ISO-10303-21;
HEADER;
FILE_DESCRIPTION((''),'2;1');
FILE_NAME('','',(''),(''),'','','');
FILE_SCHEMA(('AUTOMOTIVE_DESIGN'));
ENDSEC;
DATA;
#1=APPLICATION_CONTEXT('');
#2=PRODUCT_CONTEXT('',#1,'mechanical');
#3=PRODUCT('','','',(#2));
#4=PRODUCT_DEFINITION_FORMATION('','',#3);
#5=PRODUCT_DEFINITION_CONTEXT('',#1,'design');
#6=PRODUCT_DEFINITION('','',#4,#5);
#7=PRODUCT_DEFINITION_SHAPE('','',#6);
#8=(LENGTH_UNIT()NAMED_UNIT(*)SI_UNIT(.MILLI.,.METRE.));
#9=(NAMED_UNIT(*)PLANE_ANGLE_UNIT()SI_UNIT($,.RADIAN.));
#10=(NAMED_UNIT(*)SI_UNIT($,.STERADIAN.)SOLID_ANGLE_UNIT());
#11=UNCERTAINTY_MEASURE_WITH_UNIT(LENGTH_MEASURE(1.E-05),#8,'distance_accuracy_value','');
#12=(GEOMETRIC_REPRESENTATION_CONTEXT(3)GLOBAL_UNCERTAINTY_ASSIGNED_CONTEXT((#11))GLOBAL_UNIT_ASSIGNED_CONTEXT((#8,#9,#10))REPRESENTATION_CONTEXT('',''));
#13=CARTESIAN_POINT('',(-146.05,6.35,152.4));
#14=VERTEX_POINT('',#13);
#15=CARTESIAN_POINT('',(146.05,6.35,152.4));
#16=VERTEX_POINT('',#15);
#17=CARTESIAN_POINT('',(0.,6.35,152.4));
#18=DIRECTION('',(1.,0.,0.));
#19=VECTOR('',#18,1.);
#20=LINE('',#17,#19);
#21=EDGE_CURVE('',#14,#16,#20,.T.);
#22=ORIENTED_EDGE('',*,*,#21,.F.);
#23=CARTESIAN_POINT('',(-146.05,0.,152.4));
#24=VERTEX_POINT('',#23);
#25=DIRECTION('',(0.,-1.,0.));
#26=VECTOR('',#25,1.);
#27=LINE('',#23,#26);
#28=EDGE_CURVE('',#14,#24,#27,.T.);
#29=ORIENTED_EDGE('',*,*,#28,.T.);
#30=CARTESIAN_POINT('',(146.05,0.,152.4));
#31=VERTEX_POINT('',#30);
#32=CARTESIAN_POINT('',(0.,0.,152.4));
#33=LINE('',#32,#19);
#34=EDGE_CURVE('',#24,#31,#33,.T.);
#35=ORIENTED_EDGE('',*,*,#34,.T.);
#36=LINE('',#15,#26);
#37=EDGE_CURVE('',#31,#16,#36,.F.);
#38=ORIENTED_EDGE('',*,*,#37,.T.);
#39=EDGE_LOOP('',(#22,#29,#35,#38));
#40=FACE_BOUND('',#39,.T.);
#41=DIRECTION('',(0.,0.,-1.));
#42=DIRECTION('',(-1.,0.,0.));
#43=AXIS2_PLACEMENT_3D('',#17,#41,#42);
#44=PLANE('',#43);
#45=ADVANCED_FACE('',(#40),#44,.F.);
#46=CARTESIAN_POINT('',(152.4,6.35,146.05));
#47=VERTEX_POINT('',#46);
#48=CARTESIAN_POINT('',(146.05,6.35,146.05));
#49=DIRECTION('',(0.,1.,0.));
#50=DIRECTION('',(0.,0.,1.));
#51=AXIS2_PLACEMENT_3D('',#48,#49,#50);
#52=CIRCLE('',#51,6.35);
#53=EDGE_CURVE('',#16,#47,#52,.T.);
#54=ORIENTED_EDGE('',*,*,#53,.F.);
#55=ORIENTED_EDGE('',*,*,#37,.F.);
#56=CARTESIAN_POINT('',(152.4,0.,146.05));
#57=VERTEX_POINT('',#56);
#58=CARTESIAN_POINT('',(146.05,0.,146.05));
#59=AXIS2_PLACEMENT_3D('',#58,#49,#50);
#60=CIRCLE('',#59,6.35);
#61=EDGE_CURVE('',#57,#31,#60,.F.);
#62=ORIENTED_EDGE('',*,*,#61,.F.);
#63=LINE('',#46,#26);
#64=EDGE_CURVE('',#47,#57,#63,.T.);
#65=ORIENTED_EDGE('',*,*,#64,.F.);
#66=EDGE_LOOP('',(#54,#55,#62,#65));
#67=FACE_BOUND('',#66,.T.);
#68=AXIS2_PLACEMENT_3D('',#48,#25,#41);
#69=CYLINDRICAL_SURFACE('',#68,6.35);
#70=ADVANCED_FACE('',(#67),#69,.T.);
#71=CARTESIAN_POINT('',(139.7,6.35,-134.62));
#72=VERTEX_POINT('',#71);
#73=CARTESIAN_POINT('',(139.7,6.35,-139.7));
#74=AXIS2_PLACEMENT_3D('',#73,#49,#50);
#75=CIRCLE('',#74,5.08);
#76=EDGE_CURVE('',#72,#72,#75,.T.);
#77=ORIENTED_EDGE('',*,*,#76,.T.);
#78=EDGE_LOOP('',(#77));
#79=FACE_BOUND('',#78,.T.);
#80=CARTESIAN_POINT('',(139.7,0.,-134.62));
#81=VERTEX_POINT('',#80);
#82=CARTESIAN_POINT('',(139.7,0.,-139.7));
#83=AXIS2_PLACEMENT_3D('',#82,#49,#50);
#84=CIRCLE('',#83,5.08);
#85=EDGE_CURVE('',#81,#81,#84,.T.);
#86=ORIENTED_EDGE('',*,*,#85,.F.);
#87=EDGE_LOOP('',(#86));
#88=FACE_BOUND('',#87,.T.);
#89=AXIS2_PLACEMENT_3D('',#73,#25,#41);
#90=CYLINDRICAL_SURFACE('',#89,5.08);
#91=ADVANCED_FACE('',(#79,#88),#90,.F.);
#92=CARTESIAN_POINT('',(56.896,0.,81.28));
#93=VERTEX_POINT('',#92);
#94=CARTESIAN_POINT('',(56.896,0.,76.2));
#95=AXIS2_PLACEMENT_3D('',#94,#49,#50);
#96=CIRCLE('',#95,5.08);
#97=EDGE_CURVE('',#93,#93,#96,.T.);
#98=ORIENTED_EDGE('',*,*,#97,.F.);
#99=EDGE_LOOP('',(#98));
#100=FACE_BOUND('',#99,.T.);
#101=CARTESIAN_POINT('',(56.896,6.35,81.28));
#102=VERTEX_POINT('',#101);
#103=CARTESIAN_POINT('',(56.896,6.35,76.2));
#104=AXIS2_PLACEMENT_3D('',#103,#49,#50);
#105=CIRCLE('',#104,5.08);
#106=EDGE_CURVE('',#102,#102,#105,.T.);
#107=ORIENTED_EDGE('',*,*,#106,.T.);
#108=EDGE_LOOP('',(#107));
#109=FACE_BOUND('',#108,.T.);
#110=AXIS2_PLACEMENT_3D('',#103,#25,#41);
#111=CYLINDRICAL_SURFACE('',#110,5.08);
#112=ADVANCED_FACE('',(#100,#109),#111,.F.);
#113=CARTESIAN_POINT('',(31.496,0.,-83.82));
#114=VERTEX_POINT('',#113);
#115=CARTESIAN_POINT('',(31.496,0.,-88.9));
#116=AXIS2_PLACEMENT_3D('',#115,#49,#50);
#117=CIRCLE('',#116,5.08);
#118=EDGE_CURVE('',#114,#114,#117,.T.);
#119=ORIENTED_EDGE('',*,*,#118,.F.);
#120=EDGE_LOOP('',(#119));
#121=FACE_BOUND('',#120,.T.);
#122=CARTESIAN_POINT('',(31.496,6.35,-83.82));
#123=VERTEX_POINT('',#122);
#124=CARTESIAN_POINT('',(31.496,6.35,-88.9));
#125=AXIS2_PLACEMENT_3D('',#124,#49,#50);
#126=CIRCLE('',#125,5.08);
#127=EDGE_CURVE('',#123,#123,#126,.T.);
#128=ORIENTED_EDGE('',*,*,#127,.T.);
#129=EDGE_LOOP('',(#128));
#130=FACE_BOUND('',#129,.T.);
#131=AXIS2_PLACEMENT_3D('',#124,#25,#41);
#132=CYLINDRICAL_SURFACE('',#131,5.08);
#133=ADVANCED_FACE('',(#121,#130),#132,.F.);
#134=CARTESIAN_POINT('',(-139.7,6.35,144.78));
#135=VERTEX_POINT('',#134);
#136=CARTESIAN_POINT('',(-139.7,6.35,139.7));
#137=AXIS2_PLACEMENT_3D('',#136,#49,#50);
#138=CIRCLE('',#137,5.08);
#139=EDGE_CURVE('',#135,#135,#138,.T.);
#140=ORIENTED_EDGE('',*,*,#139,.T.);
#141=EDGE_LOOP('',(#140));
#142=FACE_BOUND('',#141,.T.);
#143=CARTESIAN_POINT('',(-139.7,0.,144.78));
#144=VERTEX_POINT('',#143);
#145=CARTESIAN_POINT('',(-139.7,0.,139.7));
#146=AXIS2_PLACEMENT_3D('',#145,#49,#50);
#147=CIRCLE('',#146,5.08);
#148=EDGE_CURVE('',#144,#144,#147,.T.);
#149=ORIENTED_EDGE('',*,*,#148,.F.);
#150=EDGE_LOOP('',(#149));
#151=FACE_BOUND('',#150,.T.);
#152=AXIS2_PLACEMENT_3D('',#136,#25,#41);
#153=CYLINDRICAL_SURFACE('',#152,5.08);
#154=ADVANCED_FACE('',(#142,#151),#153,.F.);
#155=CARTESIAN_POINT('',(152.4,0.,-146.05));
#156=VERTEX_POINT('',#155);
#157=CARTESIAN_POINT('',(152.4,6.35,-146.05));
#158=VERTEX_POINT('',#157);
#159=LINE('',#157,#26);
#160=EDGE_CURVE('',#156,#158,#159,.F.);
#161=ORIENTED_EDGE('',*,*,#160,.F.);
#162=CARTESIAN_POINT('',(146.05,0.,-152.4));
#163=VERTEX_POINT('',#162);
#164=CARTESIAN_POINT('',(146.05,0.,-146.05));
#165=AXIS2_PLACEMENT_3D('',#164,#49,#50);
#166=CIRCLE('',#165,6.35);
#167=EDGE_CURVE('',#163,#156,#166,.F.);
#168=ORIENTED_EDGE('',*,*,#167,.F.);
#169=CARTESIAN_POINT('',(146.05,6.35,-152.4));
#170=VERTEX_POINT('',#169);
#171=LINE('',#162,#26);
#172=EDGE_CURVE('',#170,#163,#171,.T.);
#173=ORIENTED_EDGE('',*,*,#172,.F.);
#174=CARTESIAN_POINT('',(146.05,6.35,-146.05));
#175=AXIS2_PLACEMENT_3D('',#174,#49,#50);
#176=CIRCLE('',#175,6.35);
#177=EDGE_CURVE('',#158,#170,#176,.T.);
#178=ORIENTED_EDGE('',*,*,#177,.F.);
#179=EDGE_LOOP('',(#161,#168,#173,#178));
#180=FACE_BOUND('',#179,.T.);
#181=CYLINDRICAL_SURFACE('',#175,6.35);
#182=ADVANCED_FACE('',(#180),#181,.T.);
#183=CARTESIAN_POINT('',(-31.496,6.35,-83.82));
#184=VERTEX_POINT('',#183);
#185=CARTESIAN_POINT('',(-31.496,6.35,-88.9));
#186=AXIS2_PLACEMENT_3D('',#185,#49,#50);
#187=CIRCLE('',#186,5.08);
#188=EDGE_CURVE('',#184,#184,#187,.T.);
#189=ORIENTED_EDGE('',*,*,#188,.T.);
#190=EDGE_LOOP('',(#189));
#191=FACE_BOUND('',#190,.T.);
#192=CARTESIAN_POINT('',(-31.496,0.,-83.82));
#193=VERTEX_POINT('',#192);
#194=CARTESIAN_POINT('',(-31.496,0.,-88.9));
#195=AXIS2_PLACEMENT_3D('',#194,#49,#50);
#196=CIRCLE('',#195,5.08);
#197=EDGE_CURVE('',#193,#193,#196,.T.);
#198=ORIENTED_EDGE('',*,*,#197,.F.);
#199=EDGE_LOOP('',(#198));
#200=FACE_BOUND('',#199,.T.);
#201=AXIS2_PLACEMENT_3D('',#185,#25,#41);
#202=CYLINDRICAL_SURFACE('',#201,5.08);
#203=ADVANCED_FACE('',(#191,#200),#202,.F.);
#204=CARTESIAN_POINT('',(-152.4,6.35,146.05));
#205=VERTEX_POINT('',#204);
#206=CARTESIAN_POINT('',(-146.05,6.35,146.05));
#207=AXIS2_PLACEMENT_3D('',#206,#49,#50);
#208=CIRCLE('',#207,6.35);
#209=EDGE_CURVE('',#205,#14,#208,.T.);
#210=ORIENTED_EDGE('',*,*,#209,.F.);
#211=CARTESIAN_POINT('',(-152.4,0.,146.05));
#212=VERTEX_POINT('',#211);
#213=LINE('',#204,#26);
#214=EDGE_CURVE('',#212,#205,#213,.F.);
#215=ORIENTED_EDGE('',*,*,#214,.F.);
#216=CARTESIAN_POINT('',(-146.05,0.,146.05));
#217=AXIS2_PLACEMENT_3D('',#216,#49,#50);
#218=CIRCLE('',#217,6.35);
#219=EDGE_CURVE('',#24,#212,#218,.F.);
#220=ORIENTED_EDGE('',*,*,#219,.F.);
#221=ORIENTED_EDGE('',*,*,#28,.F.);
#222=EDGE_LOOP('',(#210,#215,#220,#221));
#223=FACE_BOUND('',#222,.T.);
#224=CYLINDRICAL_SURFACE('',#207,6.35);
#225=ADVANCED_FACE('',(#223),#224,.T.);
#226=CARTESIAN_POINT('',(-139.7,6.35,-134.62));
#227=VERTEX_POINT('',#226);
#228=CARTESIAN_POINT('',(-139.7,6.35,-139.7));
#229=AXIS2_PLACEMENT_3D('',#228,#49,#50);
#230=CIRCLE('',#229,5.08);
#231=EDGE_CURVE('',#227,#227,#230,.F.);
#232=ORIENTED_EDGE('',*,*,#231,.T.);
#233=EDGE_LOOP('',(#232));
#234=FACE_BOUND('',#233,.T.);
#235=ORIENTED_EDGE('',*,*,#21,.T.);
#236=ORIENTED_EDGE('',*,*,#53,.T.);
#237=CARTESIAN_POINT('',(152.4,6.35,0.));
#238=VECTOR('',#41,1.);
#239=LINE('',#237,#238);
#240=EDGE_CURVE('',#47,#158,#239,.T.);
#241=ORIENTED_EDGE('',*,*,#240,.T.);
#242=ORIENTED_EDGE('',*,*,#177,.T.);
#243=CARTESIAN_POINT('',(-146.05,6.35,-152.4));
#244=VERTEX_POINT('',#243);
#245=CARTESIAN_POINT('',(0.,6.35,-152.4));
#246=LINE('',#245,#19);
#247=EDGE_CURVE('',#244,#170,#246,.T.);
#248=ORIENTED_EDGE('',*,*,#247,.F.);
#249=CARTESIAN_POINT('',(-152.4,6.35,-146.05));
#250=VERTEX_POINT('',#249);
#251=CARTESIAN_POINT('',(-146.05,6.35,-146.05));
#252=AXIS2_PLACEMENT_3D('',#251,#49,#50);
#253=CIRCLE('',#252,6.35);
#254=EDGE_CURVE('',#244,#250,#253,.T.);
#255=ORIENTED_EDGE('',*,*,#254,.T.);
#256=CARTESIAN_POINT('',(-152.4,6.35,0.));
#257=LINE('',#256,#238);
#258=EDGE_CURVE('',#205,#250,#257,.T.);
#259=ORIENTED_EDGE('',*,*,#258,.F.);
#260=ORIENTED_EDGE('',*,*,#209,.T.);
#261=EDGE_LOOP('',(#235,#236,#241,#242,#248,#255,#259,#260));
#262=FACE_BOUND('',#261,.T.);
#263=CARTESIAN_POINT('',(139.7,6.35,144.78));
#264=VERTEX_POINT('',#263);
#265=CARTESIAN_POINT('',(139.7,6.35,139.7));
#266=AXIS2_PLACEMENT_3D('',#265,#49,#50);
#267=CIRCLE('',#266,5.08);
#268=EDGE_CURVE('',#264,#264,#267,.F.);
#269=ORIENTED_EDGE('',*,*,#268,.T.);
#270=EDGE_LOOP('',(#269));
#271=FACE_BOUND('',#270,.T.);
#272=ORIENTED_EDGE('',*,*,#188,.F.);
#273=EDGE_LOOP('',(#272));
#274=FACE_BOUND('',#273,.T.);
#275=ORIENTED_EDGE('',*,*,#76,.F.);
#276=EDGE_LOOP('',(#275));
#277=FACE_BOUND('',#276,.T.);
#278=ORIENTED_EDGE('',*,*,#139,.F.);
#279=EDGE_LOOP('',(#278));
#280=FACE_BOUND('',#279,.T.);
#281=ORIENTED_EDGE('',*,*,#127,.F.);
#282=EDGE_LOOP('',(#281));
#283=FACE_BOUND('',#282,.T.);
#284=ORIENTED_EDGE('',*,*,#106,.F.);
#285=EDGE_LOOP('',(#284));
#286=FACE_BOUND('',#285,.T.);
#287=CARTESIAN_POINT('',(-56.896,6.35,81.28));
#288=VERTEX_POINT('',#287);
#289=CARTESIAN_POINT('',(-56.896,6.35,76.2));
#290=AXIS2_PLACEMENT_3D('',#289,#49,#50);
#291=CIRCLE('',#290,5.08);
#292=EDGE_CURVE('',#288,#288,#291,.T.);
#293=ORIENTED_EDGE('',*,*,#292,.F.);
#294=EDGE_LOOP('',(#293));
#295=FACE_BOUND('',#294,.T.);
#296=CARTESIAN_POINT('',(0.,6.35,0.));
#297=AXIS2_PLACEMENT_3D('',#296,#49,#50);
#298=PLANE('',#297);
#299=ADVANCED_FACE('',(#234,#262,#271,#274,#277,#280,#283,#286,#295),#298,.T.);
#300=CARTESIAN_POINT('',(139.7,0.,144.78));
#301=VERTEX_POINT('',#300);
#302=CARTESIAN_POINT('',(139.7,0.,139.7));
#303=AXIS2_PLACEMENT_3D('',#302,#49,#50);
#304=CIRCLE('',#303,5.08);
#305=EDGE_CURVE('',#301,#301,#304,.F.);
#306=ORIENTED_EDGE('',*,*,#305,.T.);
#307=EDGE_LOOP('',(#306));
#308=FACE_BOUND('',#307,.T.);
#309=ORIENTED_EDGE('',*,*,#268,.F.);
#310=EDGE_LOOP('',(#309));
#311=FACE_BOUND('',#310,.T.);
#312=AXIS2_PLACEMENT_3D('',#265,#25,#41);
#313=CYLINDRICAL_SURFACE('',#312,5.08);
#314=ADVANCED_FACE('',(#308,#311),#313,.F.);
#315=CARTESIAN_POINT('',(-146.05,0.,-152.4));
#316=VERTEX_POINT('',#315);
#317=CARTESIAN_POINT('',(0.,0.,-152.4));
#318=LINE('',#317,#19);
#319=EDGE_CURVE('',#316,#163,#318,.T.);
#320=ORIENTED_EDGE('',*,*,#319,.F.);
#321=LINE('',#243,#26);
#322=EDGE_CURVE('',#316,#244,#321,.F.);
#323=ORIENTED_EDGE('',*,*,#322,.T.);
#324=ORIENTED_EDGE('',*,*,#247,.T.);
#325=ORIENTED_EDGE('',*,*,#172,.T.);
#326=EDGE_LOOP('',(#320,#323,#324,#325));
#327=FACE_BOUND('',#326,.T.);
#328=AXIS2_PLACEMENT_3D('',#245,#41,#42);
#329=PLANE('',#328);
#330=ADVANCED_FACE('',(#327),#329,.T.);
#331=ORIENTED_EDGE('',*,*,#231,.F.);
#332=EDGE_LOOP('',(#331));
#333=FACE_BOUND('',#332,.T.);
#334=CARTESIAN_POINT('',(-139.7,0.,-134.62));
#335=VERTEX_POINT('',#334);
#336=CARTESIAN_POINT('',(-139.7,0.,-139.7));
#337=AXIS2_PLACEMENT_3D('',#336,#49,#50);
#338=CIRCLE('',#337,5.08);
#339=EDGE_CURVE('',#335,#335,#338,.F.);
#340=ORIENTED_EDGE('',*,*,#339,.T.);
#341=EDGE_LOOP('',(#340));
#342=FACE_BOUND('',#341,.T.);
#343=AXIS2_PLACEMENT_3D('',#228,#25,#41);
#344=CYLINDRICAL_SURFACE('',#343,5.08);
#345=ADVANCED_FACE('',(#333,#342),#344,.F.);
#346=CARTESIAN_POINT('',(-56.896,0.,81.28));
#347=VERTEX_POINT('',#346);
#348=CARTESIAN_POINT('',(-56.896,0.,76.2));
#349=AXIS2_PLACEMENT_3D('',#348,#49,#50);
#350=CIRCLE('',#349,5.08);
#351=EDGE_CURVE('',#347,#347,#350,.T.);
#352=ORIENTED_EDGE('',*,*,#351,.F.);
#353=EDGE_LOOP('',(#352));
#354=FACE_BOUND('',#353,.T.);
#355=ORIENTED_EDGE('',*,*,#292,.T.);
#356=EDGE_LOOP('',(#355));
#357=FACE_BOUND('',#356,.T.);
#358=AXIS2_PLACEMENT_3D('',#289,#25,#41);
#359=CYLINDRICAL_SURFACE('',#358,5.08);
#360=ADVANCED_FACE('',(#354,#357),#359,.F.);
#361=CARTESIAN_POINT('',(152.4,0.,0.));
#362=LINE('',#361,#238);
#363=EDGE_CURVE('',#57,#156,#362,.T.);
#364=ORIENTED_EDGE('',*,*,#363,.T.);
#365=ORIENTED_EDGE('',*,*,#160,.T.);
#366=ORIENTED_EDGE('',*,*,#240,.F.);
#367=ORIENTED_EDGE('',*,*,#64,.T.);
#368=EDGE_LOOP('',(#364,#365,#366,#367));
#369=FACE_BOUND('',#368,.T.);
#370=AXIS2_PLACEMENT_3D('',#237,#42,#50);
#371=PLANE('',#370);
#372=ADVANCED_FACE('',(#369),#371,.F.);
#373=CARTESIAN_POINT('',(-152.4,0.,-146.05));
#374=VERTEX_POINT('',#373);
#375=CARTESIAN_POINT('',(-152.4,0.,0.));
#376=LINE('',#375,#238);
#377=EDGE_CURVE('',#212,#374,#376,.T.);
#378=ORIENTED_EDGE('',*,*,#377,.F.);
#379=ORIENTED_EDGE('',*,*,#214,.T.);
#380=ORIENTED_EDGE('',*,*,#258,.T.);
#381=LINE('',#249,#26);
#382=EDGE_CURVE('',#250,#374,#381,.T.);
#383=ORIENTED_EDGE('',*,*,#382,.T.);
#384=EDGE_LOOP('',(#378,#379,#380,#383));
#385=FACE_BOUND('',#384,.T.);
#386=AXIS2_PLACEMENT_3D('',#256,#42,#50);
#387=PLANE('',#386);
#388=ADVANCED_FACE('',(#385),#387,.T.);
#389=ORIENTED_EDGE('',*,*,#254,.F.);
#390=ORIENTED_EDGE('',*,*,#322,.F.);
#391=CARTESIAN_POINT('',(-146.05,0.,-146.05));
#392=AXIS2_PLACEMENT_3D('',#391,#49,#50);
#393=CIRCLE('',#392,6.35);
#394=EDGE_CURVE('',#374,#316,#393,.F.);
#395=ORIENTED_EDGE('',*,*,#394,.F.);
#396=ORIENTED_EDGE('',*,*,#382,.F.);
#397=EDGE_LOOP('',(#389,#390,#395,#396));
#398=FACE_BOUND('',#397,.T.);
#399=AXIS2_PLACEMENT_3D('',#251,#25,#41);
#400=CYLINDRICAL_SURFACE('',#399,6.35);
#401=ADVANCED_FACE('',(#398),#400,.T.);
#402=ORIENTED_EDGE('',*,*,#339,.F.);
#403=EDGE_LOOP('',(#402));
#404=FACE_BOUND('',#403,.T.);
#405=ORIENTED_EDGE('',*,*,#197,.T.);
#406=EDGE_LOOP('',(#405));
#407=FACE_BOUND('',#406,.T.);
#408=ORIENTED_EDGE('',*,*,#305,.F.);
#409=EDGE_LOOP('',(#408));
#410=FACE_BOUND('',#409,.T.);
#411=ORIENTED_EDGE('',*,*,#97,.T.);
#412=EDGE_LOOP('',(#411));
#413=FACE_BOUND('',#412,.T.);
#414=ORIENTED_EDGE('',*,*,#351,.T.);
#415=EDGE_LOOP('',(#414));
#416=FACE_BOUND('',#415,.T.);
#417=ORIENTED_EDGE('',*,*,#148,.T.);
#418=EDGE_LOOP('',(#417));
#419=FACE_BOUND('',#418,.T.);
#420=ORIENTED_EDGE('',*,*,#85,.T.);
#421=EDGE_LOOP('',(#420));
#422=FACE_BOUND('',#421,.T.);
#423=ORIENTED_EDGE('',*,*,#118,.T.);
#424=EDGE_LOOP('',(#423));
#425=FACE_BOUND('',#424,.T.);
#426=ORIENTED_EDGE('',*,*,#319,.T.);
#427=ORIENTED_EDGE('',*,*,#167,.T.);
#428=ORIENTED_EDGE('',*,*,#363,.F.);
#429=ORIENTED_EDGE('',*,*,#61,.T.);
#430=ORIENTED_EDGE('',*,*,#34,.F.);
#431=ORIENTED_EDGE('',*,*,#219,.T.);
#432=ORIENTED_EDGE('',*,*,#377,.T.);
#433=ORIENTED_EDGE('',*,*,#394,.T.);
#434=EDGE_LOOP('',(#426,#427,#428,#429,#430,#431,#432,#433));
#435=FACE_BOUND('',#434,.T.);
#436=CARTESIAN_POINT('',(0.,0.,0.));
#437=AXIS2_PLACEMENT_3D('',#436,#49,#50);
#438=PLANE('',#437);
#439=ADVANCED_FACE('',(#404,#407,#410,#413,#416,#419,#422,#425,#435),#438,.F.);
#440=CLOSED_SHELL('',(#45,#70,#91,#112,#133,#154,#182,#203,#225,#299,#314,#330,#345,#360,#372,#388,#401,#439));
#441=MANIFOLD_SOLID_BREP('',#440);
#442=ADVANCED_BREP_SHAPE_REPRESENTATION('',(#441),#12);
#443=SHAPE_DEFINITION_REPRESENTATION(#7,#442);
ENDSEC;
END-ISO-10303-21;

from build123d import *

# Parameters (mm, degrees)
SKETCH2_R           = 5.08
BOSS_EXTRUDE1_DEPTH = 6.35
FILLET1_R           = 6.35
FILLET2_R           = 6.35


with BuildPart() as part:
    # Sketch2 → Boss-Extrude1 (new body)
    with BuildSketch(Plane(origin=(0, 0, 0), x_dir=(1, 0, 0), z_dir=(0, 1, 0))):
        Polygon((-152.4, 152.4), (-152.4, -152.4), (152.4, -152.4), (152.4, 142.494), (152.4, 152.4), (142.494, 152.4), align=None)
        with Locations((-139.7, -139.7)):
            Circle(SKETCH2_R, mode=Mode.SUBTRACT)
        with Locations((-56.896, -76.2)):
            Circle(SKETCH2_R, mode=Mode.SUBTRACT)
        with Locations((139.7, -139.7)):
            Circle(SKETCH2_R, mode=Mode.SUBTRACT)
        with Locations((56.896, -76.2)):
            Circle(SKETCH2_R, mode=Mode.SUBTRACT)
        with Locations((-139.7, 139.7)):
            Circle(SKETCH2_R, mode=Mode.SUBTRACT)
        with Locations((-31.496, 88.9)):
            Circle(SKETCH2_R, mode=Mode.SUBTRACT)
        with Locations((31.496, 88.9)):
            Circle(SKETCH2_R, mode=Mode.SUBTRACT)
        with Locations((139.7, 139.7)):
            Circle(SKETCH2_R, mode=Mode.SUBTRACT)
    extrude(amount=BOSS_EXTRUDE1_DEPTH)

    # Fillet1
    fillet1_edges = [part.edges().sort_by_distance(p)[0] for p in [
        (-152.4, 3.175, 152.4),
    ]]
    fillet(fillet1_edges, radius=FILLET1_R)

    # Fillet2
    fillet2_edges = [part.edges().sort_by_distance(p)[0] for p in [
        (-152.4, 3.175, -152.4),
        (152.4, 3.175, -152.4),
        (152.4, 3.175, 152.4),
    ]]
    fillet(fillet2_edges, radius=FILLET2_R)


solid = part.part
